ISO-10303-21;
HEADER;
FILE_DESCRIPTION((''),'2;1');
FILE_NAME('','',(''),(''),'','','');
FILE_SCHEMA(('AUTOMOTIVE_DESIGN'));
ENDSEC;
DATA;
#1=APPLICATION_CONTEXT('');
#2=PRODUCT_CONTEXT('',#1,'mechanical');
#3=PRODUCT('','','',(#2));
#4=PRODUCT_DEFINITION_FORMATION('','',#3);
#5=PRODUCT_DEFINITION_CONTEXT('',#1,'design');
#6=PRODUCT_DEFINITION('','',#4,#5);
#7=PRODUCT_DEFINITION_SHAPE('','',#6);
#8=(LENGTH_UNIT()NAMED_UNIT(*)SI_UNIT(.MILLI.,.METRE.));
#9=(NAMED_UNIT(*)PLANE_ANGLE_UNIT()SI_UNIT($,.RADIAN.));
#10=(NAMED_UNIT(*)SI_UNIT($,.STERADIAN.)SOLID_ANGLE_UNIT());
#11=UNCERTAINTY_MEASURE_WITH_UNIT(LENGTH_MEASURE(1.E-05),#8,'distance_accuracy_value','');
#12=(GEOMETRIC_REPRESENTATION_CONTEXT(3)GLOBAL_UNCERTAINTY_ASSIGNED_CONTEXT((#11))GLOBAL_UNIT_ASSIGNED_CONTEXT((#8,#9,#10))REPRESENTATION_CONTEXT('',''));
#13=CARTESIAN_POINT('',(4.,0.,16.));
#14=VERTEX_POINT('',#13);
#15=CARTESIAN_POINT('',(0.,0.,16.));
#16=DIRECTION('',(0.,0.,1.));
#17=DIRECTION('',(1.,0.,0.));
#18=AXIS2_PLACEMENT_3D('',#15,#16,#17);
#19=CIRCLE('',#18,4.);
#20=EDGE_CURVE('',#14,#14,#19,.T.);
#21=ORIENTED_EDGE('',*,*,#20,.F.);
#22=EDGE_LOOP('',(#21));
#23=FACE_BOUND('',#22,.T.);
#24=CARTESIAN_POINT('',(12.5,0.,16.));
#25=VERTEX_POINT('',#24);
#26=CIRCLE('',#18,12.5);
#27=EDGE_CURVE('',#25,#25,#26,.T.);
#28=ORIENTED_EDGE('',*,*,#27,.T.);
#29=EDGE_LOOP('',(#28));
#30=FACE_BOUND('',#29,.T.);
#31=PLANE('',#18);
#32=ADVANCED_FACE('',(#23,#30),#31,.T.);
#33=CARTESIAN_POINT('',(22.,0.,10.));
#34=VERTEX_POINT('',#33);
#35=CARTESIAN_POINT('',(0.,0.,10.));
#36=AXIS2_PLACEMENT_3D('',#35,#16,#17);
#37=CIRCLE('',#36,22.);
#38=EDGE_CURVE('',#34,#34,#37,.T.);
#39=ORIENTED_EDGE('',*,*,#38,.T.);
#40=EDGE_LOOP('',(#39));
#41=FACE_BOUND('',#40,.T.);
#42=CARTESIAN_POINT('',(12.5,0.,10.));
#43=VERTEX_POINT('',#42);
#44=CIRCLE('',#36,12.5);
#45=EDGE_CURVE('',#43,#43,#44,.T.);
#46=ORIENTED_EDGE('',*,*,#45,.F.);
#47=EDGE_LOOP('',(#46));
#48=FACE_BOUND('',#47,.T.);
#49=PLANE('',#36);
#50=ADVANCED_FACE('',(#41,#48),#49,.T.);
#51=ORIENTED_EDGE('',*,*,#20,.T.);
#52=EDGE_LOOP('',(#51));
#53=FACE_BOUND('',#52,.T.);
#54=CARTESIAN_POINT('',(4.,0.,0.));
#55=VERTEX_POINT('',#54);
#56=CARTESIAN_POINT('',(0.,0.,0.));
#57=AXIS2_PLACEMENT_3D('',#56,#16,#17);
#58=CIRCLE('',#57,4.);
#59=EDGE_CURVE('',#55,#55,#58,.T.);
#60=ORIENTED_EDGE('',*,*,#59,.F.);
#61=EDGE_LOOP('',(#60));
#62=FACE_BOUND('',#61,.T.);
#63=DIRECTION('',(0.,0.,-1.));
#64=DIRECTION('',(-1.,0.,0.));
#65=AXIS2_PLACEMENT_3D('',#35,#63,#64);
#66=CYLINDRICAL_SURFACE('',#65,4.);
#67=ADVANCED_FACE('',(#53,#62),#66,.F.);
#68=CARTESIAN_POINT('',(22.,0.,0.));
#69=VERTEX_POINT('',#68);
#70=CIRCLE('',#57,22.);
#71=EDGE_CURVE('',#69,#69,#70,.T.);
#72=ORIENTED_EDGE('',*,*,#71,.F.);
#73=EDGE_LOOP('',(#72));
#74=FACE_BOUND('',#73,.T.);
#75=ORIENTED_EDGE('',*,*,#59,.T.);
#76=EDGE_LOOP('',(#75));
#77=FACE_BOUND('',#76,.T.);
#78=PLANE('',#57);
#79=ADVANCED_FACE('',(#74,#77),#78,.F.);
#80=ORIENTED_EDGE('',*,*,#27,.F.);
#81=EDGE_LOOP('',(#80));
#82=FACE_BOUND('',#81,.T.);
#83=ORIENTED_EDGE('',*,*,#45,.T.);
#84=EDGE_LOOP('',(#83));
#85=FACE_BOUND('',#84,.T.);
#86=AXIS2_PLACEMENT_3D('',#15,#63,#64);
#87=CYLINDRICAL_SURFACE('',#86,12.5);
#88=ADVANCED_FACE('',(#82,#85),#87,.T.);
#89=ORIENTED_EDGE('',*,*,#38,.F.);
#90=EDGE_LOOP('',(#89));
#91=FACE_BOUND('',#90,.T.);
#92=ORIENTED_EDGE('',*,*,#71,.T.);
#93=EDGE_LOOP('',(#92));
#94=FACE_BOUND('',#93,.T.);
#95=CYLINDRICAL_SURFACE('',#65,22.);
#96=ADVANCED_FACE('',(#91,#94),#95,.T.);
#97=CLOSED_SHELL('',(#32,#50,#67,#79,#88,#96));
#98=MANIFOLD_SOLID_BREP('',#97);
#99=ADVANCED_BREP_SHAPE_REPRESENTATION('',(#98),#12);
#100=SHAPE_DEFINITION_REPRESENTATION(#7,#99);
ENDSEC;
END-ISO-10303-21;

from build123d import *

# Parameters (mm, degrees)
SKETCH1_R           = 22
SKETCH1_R_2         = 4
BOSS_EXTRUDE1_DEPTH = 10
SKETCH2_R           = 12.5
SKETCH2_R_2         = 4
BOSS_EXTRUDE2_DEPTH = 6


with BuildPart() as part:
    # Sketch1 → Boss-Extrude1 (new body)
    with BuildSketch(Plane.XY):
        Circle(SKETCH1_R)
        Circle(SKETCH1_R_2, mode=Mode.SUBTRACT)
    extrude(amount=BOSS_EXTRUDE1_DEPTH)

    # Sketch2 → Boss-Extrude2 (add)
    with BuildSketch(Plane.XY.offset(10)):
        Circle(SKETCH2_R)
        Circle(SKETCH2_R_2, mode=Mode.SUBTRACT)
    extrude(amount=BOSS_EXTRUDE2_DEPTH)


solid = part.part
